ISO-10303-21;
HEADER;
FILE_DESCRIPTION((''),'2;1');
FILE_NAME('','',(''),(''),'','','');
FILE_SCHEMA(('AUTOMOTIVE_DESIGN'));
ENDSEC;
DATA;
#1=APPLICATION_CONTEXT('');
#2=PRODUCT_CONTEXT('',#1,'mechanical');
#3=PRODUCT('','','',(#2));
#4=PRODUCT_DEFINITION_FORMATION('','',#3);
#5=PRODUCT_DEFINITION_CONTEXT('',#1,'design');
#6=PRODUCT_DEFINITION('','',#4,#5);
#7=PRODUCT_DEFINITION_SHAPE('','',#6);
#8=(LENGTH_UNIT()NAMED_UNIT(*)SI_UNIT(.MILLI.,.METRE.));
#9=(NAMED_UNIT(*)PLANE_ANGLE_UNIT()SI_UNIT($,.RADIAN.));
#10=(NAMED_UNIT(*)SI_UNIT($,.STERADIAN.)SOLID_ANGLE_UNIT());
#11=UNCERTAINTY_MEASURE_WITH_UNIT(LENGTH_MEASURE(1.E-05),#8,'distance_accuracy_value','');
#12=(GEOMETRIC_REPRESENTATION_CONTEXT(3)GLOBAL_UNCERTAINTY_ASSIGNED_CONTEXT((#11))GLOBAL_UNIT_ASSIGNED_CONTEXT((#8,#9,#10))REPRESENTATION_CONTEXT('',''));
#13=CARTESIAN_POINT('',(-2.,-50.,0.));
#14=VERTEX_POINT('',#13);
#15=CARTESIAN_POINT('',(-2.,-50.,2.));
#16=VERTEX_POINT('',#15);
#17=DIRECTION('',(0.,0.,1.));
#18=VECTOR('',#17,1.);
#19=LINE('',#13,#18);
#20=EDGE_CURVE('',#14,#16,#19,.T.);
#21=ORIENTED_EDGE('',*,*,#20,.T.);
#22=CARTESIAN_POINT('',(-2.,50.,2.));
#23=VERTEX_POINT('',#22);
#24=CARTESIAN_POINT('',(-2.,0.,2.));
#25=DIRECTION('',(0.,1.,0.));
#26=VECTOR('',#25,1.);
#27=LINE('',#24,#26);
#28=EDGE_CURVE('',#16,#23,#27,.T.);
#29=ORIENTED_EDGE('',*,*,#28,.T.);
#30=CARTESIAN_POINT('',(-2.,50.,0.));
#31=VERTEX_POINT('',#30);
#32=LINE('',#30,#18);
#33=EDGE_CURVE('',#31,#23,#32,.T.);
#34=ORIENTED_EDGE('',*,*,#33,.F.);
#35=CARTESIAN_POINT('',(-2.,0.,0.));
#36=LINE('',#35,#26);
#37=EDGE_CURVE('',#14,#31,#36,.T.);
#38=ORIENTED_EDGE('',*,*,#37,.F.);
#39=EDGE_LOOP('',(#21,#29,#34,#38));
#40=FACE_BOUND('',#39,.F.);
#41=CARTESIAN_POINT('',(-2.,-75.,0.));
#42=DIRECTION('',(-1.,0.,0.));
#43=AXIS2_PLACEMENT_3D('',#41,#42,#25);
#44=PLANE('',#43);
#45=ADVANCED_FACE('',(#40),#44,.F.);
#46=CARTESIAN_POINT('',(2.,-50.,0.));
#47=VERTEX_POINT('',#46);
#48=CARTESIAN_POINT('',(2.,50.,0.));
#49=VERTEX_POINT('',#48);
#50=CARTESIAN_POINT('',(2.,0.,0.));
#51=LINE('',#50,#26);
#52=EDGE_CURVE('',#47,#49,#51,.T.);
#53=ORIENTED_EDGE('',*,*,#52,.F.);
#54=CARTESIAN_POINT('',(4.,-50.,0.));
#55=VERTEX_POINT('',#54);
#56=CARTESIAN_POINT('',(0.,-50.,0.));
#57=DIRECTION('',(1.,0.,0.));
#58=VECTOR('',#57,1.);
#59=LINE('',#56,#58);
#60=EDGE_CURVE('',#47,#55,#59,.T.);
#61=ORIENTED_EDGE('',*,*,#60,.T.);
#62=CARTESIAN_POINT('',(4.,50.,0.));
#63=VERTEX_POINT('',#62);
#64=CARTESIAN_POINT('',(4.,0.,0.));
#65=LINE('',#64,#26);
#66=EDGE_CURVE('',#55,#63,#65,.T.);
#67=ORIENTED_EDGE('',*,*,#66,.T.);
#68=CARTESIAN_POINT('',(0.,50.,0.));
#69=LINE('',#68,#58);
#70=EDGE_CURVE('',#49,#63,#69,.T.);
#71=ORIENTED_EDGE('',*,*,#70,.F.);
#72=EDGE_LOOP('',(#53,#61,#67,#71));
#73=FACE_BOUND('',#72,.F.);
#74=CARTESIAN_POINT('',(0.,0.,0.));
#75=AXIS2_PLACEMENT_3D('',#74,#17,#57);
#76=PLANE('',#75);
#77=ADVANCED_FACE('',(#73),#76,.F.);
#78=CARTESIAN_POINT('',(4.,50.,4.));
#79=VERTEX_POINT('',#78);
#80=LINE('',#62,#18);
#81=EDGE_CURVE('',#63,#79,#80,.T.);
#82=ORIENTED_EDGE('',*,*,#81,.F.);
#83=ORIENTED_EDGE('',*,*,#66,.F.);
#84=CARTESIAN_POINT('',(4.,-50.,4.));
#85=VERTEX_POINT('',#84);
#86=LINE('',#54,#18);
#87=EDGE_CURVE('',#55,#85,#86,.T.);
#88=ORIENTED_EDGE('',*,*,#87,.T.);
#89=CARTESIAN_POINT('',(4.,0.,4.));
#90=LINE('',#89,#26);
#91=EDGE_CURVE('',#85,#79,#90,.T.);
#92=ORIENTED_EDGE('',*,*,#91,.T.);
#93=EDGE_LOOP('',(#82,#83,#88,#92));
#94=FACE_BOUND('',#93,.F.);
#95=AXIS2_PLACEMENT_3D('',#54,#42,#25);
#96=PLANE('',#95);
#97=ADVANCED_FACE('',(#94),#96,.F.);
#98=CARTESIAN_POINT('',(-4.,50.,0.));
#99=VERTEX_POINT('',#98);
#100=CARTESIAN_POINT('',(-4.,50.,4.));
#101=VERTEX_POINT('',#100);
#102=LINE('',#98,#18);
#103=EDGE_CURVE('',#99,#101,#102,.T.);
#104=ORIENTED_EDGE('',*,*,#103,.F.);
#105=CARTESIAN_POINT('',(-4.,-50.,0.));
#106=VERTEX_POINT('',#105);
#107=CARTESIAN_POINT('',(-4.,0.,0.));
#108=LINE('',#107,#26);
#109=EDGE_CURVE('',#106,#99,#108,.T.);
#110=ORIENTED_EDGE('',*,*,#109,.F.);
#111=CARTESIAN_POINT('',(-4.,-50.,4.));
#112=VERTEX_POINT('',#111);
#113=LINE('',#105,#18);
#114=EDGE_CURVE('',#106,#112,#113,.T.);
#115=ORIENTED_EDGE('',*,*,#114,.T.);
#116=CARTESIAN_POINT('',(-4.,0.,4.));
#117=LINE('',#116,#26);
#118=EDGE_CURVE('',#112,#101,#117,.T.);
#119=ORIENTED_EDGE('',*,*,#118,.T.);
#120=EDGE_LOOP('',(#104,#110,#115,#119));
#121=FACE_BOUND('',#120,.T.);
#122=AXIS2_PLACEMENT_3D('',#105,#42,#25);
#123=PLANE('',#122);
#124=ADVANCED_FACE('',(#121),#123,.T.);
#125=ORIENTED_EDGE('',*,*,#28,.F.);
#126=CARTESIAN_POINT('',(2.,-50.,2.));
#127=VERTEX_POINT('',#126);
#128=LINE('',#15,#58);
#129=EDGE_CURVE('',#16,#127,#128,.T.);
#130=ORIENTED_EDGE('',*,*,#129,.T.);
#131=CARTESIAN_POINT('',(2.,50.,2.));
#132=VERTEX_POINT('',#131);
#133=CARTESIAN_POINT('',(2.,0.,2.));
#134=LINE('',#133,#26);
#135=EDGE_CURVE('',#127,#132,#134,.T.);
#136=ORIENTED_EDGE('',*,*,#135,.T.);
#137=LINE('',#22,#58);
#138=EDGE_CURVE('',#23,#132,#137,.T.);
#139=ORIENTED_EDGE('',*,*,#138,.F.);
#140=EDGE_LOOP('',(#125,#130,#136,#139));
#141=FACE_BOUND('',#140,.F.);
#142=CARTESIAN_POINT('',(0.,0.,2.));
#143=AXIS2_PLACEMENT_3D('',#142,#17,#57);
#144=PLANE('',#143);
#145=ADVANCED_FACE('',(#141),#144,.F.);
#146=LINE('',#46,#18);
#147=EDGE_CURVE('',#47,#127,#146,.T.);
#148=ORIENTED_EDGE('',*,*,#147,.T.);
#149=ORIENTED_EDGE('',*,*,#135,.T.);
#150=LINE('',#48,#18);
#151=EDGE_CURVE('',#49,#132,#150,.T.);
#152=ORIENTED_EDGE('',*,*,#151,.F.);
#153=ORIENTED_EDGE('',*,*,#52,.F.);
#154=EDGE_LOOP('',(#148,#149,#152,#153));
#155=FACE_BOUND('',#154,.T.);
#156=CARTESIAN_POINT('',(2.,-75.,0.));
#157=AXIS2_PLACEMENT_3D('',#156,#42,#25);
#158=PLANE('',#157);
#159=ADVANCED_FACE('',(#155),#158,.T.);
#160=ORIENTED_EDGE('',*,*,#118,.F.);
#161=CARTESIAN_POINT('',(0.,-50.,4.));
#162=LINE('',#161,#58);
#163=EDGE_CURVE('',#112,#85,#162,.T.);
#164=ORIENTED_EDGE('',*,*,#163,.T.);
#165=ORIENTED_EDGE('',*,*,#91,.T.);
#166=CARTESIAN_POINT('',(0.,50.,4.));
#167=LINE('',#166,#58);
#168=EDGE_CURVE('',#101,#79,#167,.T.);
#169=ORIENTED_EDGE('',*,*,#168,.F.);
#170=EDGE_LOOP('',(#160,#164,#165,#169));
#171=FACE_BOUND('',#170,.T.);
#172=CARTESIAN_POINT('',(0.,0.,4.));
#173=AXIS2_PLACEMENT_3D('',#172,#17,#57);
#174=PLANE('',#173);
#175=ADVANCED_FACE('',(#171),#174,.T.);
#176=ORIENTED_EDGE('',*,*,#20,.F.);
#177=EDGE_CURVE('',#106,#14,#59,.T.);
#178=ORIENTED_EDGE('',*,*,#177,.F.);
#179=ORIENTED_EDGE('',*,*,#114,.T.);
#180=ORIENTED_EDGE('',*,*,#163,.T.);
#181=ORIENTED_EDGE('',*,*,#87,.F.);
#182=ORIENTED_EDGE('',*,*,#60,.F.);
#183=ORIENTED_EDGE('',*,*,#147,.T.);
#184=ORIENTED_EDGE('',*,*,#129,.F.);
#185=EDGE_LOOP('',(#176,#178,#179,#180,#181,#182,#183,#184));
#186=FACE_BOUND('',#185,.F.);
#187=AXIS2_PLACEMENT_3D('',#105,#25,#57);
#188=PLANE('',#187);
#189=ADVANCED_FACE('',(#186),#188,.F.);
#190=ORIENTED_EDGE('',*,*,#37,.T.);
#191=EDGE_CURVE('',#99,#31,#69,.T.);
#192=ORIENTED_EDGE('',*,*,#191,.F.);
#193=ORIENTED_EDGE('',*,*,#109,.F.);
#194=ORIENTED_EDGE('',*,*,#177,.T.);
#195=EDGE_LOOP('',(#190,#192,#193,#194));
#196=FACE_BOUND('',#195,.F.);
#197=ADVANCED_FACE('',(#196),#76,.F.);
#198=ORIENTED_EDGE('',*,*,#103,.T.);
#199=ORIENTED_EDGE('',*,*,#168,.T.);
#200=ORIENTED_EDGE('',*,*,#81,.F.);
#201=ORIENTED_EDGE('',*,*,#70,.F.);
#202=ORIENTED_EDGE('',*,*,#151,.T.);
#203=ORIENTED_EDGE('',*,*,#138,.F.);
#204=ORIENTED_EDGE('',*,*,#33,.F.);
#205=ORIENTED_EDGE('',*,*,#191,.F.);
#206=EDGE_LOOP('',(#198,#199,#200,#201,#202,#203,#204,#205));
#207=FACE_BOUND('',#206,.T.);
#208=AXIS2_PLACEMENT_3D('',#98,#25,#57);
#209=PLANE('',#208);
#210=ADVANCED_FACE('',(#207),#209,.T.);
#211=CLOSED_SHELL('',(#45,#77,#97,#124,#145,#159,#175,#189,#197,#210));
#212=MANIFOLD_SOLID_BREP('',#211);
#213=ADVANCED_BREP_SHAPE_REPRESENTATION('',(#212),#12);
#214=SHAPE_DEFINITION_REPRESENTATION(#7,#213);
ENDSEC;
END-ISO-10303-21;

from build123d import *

# Parameters (mm, degrees)
F0_W     = 8
F0_H     = 100
F2_DEPTH = 4
F1_W     = 4
F1_H     = 150
F3_DEPTH = 2


with BuildPart() as f2:
    # F0 (on Top) → F2 (new body)
    with BuildSketch(Plane.XY):
        Rectangle(F0_W, F0_H)
    extrude(amount=F2_DEPTH)

    # F1 (on Top) → F3 (cut)
    with BuildSketch(Plane.XY):
        Rectangle(F1_W, F1_H)
    extrude(amount=F3_DEPTH, mode=Mode.SUBTRACT)


solid = f2.part
